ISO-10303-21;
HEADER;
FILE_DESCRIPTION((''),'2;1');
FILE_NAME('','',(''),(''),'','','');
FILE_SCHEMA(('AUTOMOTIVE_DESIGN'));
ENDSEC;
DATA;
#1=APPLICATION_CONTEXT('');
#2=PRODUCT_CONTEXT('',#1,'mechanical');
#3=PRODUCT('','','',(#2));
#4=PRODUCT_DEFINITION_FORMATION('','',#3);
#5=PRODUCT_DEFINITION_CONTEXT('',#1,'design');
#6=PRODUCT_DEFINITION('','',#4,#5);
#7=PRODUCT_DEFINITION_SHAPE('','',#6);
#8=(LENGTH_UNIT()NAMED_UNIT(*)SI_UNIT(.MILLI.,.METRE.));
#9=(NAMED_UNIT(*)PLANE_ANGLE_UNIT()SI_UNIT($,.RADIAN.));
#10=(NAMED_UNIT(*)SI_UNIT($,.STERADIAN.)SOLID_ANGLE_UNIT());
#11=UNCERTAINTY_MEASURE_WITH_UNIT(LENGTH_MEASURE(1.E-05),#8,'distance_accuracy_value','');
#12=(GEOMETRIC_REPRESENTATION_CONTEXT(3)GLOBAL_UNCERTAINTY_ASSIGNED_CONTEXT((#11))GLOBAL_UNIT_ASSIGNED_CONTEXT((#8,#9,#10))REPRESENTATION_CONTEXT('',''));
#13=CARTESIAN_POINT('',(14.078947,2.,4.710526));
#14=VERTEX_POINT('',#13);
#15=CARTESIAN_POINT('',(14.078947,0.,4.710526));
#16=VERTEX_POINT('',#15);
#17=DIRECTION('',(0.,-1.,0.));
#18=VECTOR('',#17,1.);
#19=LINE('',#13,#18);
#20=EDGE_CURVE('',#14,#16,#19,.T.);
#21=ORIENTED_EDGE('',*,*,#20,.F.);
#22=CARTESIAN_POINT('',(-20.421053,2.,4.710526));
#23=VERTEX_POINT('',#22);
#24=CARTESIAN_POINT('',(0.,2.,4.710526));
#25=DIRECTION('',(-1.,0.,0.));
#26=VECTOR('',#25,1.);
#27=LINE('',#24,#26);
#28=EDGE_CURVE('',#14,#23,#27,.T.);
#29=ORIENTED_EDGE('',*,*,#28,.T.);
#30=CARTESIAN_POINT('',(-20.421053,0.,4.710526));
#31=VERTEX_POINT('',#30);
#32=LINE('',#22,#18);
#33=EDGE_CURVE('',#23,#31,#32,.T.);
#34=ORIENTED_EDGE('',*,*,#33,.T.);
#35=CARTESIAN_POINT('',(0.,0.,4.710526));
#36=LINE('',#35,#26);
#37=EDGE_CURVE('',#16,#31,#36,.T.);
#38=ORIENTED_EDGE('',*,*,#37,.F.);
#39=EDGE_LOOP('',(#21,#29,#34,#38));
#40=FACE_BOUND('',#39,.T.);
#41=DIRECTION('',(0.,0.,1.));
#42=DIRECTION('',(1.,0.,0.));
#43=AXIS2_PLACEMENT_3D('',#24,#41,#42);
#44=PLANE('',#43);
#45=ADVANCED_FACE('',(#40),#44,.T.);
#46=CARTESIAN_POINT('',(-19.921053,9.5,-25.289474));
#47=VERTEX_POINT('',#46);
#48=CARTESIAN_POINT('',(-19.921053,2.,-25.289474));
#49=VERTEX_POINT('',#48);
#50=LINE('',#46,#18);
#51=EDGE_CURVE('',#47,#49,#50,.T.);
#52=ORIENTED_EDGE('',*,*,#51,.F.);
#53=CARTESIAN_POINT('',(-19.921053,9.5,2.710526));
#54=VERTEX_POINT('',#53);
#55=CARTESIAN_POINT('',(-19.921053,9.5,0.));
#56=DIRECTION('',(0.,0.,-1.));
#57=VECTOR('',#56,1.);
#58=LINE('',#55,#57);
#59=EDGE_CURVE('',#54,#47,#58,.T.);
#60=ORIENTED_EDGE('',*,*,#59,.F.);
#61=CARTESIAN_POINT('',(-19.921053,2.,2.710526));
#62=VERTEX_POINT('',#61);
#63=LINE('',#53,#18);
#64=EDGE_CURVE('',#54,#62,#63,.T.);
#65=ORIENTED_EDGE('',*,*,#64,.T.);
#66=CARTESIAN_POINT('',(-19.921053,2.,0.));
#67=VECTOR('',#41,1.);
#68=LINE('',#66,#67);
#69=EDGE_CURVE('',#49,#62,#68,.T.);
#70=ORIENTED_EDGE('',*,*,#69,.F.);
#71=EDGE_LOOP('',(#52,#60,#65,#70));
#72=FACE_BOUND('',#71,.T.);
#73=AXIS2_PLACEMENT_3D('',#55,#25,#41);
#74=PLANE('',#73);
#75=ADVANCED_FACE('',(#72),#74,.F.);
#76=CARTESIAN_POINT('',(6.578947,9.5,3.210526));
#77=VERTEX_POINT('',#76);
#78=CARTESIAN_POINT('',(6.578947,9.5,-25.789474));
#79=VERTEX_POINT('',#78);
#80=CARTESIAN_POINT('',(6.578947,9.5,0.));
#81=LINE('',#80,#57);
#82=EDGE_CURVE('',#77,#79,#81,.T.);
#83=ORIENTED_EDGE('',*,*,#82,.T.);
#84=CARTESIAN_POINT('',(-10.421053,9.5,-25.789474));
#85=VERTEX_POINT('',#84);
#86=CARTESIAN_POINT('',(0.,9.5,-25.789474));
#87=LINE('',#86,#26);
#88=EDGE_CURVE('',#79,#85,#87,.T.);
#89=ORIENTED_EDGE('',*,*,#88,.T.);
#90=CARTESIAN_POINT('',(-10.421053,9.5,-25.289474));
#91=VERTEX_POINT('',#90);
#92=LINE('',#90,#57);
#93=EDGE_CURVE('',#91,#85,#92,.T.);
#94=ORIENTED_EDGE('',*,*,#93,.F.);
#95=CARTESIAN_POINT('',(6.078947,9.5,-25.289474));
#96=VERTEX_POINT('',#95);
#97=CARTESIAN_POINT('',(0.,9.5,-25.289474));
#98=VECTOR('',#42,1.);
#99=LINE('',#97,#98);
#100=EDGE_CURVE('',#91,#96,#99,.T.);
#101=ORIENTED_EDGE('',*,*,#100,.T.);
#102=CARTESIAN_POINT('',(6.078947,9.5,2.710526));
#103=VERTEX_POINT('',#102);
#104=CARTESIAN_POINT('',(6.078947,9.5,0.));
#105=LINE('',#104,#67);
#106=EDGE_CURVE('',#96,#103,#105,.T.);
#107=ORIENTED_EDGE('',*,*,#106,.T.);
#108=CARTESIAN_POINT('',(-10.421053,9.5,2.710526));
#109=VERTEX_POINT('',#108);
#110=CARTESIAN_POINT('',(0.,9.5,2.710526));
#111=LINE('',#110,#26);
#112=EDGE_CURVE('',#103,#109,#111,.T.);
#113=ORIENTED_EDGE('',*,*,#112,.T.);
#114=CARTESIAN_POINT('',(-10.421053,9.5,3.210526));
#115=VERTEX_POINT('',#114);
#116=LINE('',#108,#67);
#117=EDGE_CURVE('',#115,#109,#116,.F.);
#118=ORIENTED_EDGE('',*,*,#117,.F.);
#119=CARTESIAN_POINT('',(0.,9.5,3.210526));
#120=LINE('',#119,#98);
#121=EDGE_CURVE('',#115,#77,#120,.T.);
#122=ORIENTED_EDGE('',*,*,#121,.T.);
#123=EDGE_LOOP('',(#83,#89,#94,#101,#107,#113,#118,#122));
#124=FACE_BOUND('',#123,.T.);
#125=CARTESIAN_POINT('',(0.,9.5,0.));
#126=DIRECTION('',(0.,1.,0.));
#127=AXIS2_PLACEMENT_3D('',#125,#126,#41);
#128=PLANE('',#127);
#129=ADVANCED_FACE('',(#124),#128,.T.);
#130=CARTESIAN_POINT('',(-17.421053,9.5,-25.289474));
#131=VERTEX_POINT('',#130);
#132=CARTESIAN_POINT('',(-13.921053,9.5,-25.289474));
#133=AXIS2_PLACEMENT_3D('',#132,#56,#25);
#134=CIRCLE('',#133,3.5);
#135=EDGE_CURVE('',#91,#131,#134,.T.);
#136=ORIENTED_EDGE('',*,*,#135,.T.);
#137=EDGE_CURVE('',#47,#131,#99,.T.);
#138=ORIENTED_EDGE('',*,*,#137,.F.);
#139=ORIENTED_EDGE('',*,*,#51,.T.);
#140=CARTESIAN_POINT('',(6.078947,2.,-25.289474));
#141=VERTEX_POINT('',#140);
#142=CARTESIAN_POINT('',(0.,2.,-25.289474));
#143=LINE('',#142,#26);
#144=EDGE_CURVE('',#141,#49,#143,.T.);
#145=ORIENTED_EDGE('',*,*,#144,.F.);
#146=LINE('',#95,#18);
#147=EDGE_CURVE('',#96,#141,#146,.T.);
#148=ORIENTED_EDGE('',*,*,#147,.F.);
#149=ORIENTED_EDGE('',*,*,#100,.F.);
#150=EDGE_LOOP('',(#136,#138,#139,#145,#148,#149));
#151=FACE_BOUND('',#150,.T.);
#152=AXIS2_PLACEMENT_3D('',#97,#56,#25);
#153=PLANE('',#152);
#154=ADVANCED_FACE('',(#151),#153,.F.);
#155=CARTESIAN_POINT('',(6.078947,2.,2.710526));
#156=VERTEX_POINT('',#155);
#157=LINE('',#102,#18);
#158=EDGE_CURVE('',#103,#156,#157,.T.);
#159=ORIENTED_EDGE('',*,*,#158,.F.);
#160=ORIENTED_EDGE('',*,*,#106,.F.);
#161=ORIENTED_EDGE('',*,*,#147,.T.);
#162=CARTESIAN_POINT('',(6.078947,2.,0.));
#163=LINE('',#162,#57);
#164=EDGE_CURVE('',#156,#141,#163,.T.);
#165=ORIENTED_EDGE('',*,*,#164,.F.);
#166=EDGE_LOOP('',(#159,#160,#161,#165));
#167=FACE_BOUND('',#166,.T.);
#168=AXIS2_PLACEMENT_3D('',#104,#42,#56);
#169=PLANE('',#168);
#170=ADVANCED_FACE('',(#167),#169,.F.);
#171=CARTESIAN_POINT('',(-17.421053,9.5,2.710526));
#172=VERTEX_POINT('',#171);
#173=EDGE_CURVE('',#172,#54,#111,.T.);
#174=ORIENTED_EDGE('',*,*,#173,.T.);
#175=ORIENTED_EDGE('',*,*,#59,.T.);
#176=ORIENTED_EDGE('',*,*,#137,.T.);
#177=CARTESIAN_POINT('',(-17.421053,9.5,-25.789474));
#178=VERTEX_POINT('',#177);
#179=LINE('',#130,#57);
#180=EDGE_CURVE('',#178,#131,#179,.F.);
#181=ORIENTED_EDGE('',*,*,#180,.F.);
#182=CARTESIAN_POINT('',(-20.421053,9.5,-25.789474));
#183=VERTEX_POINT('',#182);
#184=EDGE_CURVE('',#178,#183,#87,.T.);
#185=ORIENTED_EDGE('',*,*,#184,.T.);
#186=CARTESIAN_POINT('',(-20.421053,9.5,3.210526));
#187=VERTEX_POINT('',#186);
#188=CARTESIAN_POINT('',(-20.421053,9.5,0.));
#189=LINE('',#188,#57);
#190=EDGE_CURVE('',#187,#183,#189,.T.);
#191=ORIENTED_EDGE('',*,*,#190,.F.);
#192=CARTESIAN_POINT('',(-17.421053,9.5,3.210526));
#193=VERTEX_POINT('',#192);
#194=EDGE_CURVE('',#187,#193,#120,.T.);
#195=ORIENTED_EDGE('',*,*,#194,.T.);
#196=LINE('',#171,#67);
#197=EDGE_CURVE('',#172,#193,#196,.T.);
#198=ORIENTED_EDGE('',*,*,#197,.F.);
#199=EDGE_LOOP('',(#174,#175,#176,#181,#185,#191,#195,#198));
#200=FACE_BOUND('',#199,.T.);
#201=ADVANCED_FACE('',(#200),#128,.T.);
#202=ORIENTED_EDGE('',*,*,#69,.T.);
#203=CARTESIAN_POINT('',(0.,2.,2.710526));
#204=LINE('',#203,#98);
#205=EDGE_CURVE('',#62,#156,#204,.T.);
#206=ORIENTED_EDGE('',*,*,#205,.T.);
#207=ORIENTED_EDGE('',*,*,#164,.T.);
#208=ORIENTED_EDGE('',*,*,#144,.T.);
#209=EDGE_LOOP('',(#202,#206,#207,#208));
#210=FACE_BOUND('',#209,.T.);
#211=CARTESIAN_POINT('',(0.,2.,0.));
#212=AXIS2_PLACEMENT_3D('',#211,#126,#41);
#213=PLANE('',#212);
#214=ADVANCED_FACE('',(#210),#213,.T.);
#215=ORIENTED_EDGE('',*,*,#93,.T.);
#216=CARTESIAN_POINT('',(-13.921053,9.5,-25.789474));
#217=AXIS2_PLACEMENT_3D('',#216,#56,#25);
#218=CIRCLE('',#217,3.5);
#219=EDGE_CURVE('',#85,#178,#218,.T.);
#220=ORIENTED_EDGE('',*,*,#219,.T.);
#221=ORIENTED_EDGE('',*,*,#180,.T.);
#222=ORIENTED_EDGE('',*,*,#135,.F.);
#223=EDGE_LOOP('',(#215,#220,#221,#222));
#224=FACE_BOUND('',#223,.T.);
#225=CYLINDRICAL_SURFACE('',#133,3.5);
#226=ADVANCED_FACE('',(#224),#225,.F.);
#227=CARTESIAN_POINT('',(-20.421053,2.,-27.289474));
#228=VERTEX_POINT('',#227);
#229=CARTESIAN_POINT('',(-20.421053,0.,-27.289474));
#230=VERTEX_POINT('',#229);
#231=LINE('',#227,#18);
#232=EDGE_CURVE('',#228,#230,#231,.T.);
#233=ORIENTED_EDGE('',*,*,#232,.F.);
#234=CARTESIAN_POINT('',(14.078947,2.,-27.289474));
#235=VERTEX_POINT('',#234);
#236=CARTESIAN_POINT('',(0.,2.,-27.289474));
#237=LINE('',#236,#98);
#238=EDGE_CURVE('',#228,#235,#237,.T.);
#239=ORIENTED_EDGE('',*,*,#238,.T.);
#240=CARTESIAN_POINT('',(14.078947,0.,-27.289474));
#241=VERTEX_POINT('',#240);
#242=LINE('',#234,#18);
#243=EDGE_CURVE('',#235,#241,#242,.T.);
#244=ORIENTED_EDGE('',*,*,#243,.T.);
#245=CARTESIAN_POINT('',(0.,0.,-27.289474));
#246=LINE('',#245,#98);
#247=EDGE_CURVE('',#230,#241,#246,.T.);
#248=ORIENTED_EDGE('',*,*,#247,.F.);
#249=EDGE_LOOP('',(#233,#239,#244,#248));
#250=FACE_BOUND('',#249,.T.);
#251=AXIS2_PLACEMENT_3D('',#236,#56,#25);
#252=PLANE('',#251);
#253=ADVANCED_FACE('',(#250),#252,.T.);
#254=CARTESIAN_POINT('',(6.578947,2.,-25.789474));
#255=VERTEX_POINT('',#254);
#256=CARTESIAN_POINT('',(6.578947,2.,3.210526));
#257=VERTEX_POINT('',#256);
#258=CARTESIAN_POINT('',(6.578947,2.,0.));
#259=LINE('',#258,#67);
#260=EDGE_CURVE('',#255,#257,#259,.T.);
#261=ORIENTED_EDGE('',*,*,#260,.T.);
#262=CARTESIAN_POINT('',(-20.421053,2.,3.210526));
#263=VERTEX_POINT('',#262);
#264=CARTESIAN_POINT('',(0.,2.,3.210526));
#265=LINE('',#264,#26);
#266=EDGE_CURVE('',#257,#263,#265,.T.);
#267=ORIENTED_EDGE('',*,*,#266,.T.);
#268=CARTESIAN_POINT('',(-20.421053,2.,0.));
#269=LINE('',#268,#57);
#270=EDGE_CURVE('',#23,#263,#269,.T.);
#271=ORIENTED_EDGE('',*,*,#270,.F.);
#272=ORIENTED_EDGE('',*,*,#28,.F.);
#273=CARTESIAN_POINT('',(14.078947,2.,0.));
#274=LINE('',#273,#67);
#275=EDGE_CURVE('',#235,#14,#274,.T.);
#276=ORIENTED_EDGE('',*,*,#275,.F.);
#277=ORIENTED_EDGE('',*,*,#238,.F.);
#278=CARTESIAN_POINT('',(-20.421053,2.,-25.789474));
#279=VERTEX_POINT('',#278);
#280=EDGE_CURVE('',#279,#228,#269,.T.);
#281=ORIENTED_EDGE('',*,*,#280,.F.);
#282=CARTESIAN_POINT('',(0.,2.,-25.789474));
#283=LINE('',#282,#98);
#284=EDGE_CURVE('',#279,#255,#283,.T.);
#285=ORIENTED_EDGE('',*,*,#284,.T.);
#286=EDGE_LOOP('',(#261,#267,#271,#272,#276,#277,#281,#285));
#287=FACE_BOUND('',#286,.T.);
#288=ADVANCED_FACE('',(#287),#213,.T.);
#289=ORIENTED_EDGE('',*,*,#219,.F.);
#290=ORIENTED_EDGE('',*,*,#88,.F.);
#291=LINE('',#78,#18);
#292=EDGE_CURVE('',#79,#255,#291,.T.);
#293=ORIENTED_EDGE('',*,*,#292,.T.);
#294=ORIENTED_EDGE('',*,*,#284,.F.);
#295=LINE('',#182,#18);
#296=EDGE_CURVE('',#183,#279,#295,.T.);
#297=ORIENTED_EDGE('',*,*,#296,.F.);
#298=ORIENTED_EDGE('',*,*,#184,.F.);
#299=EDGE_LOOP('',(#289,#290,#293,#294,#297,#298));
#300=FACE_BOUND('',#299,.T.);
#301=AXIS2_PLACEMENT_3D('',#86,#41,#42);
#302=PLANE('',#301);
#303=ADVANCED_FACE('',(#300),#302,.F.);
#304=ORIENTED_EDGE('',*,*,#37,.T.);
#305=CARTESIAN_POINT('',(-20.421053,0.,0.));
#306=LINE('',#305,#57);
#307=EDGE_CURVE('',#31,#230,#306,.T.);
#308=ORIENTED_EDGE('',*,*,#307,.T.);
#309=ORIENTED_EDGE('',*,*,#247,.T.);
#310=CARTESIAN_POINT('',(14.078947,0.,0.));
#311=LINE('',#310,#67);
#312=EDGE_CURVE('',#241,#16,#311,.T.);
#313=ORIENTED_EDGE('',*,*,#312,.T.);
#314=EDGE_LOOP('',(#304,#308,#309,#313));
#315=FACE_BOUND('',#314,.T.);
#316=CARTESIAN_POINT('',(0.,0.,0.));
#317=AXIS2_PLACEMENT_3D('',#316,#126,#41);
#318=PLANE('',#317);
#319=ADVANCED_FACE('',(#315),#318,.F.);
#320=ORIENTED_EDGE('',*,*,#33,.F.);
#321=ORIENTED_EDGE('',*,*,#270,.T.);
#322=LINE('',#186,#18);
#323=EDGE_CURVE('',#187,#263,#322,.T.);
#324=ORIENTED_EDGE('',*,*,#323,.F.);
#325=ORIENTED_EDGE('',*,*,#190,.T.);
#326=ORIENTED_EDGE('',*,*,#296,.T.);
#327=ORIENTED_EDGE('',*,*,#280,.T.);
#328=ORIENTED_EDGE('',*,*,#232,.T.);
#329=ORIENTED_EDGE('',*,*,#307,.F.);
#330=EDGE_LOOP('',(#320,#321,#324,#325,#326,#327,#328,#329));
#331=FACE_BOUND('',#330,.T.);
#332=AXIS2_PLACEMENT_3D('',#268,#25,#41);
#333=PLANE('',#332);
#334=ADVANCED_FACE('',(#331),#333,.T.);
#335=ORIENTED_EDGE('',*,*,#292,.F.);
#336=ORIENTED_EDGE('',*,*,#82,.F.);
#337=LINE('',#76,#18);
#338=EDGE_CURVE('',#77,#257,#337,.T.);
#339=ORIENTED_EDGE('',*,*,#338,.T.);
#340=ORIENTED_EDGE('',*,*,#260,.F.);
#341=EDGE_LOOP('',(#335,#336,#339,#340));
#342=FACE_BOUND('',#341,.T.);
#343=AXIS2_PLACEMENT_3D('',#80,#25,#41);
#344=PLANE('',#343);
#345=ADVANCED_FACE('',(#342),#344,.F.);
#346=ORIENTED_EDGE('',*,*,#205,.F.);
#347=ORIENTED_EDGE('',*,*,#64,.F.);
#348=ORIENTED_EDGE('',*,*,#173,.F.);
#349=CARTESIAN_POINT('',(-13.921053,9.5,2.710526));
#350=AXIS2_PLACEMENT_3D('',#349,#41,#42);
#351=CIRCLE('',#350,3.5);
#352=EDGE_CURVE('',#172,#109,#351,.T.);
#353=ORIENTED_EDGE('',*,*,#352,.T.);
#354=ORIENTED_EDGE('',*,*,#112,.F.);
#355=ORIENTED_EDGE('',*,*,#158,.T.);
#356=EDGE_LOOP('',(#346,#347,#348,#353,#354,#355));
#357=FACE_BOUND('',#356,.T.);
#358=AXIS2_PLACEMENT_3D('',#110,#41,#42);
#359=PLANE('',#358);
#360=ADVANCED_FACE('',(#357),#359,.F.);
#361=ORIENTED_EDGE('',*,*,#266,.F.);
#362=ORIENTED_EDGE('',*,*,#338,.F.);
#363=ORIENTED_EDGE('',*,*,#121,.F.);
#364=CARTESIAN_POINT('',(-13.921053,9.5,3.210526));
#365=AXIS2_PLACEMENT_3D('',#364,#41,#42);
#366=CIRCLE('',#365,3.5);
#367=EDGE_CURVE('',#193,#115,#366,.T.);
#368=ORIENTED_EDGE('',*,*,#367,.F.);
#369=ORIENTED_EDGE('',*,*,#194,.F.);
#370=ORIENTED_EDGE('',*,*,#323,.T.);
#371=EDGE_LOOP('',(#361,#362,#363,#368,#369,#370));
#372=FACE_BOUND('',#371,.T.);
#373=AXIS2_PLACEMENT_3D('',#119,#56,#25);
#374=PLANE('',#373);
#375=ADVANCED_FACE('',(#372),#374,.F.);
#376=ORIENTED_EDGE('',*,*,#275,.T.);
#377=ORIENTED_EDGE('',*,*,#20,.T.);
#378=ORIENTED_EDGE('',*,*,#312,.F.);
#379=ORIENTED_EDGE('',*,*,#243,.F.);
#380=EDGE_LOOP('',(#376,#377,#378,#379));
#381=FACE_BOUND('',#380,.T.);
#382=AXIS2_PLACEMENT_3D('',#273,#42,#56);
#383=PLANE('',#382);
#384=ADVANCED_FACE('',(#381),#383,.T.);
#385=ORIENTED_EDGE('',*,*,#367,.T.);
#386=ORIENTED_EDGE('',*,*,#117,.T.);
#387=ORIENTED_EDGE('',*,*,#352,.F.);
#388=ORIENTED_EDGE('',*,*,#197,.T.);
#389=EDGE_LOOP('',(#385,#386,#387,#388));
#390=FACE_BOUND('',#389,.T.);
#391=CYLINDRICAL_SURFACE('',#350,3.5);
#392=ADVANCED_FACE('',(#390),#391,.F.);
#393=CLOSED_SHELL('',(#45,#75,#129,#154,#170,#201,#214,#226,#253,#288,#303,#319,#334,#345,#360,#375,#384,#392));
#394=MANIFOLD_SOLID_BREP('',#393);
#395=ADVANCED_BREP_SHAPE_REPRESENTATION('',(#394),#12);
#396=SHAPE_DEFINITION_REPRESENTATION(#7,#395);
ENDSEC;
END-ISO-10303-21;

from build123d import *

# Parameters (mm, degrees)
ESQUISSE1_W             = 34.5
ESQUISSE1_H             = 32
BOSS_EXTRU_1_DEPTH      = 2
ESQUISSE1_4_W           = 27
ESQUISSE1_4_H           = 29
ESQUISSE1_4_W_2         = 26
ESQUISSE1_4_H_2         = 28
BOSS_EXTRU_2_DEPTH      = 9.5
ESQUISSE6_R             = 3.5
ENL_V_MAT_EXTRU_2_DEPTH = 0.5
ENL_V_START             = -0.5
ESQUISSE5_R             = 3.5
ENL_V_MAT_EXTRU_3_DEPTH = 0.5


with BuildPart() as part:
    # Esquisse1 → Boss.-Extru.1 (new body)
    with BuildSketch(Plane(origin=(0, 0, 0), x_dir=(1, 0, 0), z_dir=(0, 1, 0))):
        with Locations((-3.171052632, 11.289473684)):
            Rectangle(ESQUISSE1_W, ESQUISSE1_H)
    extrude(amount=BOSS_EXTRU_1_DEPTH)

    # Esquisse1<4> → Boss.-Extru.2 (add)
    with BuildSketch(Plane(origin=(0, 0, 0), x_dir=(1, 0, 0), z_dir=(0, 1, 0))):
        with Locations((-6.921052632, 11.289473684)):
            Rectangle(ESQUISSE1_4_W, ESQUISSE1_4_H)
        with Locations((-6.921052632, 11.289473684)):
            Rectangle(ESQUISSE1_4_W_2, ESQUISSE1_4_H_2, mode=Mode.SUBTRACT)
    extrude(amount=BOSS_EXTRU_2_DEPTH)

    # Esquisse6 → Enlèv. mat.-Extru.2 (cut)
    with BuildSketch(Plane.XY.offset(3.210526316)):
        with Locations((-13.921052632, 9.5)):
            Circle(ESQUISSE6_R)
    extrude(amount=-ENL_V_MAT_EXTRU_2_DEPTH, mode=Mode.SUBTRACT)

    # Esquisse5 → Enlèv. mat.-Extru.3 (cut)
    with BuildSketch(Plane(origin=(0, 0, -25.789473684), x_dir=(-1, 0, 0), z_dir=(0, 0, -1)).offset(ENL_V_START)):
        with Locations((13.921052632, 9.5)):
            Circle(ESQUISSE5_R)
    extrude(amount=ENL_V_MAT_EXTRU_3_DEPTH, mode=Mode.SUBTRACT)


solid = part.part
